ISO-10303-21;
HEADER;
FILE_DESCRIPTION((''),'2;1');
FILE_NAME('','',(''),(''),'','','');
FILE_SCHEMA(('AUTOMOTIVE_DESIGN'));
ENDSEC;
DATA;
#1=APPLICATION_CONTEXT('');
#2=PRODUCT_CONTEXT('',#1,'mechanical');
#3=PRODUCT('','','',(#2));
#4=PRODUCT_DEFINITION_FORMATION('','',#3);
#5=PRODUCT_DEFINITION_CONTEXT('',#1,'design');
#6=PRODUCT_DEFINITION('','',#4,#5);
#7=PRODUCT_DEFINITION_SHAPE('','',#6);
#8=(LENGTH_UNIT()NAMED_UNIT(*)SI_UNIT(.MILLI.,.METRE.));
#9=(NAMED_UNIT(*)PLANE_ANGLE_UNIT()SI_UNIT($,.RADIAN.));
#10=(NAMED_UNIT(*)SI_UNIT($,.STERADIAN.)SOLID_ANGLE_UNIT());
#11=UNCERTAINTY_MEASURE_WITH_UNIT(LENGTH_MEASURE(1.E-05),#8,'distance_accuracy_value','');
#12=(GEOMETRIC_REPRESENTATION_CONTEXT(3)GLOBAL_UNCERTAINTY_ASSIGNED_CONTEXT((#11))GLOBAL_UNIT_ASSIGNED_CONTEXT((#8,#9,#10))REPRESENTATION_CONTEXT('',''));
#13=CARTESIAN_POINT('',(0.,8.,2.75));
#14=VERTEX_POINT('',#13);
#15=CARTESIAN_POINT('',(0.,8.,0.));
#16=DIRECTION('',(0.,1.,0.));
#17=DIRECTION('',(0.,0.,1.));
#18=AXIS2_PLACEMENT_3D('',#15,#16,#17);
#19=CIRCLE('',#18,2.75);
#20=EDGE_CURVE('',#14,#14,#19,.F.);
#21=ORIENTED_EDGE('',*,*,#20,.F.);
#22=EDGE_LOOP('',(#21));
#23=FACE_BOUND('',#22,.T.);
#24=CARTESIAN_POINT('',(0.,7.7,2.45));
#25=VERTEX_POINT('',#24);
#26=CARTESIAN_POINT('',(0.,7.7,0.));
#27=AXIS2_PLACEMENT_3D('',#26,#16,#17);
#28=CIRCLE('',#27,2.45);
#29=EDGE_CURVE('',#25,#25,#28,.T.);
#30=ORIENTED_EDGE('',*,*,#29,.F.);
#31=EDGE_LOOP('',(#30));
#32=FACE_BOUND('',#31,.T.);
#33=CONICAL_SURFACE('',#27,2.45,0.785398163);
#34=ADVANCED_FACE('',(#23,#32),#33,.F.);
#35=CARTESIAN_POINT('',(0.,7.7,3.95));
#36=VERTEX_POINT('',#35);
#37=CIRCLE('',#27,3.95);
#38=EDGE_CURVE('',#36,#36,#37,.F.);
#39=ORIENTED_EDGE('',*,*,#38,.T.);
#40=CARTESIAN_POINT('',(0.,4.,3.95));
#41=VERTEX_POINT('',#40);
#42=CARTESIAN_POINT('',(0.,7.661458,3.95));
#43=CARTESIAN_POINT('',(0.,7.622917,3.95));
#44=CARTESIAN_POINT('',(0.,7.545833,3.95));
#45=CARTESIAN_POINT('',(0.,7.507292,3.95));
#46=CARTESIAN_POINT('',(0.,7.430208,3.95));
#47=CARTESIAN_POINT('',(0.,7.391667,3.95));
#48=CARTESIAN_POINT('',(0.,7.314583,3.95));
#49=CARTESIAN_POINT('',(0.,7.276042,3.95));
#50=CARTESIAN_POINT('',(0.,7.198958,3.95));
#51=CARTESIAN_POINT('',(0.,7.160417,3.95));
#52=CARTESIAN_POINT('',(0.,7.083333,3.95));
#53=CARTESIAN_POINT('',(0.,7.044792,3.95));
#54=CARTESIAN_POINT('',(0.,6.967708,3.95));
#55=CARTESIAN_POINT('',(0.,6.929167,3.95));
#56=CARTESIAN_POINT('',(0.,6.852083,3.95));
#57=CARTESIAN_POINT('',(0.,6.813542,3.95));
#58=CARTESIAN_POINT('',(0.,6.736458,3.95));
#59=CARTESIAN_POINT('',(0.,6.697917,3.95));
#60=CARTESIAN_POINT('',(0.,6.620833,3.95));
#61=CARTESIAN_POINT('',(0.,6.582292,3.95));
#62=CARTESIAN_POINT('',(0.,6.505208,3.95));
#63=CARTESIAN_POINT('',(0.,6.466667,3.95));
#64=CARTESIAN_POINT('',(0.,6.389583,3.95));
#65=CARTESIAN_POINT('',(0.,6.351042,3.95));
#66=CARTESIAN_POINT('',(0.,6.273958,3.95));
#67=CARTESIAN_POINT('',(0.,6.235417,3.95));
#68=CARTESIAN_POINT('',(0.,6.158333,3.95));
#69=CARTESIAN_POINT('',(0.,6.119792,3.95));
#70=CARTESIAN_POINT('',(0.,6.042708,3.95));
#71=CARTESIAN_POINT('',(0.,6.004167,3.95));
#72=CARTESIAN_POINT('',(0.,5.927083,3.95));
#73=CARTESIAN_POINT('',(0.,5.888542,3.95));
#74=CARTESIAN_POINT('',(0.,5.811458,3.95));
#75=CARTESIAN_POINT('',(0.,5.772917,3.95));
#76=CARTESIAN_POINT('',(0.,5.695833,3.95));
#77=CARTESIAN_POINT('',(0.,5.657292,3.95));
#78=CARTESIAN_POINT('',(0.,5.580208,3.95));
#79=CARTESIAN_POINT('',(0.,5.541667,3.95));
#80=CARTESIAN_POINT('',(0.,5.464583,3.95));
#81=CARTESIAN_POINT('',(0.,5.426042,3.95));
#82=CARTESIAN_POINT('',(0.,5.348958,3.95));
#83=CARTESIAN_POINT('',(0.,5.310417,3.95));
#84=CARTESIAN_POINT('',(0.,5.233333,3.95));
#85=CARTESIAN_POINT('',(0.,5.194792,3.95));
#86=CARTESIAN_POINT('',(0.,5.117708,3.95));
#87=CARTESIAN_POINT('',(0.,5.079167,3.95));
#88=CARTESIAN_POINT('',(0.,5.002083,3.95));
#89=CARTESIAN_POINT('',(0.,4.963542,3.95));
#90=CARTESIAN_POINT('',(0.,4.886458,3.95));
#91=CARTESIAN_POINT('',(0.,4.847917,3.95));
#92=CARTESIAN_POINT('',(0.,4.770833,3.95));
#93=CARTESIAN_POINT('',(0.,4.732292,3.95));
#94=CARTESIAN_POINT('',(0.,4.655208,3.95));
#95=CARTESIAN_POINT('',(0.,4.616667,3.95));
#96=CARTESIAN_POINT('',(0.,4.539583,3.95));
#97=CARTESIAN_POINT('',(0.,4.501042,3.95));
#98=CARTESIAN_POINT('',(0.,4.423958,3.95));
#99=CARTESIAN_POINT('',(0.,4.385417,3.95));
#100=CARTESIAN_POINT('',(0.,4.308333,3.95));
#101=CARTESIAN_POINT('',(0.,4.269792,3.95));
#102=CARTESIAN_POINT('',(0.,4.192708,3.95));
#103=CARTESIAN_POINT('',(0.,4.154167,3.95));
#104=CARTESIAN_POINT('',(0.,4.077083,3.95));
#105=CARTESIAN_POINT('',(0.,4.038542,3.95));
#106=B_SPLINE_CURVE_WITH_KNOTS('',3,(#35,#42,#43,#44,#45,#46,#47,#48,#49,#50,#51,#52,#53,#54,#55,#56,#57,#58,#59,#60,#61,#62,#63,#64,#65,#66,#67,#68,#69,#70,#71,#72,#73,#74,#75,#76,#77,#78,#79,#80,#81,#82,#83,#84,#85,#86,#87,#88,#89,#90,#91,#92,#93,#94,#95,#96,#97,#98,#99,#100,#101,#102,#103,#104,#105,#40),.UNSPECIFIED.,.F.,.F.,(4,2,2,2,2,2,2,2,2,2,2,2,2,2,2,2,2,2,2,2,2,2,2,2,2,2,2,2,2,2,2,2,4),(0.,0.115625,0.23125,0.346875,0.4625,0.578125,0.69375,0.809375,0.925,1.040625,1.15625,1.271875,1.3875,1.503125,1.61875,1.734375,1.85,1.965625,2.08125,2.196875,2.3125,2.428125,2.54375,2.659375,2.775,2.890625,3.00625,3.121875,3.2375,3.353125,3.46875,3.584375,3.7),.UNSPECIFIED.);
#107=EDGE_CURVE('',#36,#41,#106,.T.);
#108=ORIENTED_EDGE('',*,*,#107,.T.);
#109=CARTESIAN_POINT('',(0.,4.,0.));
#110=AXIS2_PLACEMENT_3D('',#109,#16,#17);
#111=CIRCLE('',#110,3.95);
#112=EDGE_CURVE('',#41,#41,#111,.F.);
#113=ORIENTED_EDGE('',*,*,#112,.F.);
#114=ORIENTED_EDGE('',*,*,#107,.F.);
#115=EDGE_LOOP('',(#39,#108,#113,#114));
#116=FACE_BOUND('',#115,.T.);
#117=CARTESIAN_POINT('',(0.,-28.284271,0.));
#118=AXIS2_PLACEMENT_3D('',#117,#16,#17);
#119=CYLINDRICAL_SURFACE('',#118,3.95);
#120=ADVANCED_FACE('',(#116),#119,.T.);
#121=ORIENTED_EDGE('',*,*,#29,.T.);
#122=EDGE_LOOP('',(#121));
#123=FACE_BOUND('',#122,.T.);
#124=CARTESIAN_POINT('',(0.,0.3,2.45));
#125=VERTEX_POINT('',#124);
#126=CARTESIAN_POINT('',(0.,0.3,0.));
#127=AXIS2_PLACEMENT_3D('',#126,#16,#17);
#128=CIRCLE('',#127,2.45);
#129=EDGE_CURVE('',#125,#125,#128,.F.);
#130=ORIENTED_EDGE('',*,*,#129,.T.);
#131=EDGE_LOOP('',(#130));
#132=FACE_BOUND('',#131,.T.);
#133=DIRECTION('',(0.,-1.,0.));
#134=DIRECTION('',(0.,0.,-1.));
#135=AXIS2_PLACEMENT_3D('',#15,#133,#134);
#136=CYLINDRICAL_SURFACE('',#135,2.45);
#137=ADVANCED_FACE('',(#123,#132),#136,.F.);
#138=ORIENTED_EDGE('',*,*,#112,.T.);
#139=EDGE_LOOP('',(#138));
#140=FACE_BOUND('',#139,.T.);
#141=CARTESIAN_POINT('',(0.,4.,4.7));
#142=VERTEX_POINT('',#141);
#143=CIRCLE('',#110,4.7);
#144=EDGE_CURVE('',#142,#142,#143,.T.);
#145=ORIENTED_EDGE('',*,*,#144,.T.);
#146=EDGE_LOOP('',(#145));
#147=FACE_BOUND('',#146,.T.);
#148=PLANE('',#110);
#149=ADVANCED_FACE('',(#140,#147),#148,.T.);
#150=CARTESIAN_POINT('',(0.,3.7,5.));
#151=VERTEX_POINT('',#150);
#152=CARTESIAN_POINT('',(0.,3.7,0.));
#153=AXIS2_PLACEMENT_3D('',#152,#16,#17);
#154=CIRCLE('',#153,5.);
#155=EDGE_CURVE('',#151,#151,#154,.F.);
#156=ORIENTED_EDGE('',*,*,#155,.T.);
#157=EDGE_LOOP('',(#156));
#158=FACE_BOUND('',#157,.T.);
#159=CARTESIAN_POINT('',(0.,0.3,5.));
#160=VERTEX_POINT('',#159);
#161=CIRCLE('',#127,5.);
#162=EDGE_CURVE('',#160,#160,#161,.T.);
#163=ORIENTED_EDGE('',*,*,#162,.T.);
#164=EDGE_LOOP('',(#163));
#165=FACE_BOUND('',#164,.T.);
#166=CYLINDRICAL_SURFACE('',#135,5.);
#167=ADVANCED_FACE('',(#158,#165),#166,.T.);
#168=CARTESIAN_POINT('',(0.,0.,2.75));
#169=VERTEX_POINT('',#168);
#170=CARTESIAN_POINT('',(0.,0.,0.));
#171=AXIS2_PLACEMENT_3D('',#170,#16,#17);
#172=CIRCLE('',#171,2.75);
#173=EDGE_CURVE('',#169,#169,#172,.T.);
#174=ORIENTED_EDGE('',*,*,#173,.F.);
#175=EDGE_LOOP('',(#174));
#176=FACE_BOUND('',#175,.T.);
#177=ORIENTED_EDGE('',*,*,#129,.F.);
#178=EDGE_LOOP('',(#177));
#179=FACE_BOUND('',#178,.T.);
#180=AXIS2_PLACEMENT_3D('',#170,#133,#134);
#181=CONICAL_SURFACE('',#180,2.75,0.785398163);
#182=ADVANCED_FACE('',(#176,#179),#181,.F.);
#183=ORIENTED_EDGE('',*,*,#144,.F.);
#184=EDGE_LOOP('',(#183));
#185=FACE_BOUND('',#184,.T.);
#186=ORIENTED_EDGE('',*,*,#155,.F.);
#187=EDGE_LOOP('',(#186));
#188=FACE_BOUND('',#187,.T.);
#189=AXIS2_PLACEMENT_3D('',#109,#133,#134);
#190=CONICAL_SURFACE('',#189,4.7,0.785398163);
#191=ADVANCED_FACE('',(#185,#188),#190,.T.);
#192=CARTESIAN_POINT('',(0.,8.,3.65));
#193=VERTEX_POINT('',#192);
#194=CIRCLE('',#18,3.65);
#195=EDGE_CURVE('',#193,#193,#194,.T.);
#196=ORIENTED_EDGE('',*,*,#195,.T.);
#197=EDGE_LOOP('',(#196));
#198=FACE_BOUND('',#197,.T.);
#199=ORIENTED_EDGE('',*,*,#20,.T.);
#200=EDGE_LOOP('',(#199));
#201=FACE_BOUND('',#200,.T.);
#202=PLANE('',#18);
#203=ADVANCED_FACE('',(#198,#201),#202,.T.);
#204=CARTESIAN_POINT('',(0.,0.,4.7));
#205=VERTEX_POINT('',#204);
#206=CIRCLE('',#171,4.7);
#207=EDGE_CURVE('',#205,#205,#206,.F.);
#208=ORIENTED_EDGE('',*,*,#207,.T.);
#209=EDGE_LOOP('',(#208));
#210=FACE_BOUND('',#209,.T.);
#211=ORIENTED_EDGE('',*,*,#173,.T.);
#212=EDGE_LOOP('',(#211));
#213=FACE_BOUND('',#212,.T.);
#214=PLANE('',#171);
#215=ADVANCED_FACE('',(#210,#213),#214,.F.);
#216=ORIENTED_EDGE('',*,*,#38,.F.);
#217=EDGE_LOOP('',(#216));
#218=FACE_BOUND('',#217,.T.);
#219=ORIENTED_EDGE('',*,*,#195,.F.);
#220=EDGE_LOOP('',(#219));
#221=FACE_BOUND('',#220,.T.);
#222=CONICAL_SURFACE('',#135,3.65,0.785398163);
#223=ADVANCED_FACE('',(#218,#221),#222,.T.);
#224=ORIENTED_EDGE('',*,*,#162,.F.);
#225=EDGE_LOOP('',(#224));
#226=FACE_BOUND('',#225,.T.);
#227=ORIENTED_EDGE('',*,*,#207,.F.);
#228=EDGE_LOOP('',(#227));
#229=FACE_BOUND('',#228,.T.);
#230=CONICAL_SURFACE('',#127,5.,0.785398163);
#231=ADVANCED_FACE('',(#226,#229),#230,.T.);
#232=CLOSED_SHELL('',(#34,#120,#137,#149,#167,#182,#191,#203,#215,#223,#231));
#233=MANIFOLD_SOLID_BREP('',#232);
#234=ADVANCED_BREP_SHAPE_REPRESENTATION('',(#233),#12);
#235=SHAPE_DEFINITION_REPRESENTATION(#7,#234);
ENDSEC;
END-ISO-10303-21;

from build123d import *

# Parameters (mm, degrees)
SKETCH1_R           = 5
SKETCH1_R_2         = 2.45
BOSS_EXTRUDE1_DEPTH = 8
SKETCH2_R           = 10
SKETCH2_R_2         = 3.95
CUT_EXTRUDE1_DEPTH  = 4
CHAMFER1_SIZE       = 0.3


with BuildPart() as part:
    # Sketch1 → Boss-Extrude1 (new body)
    with BuildSketch(Plane(origin=(0, 0, 0), x_dir=(1, 0, 0), z_dir=(0, 1, 0))):
        with Locations(Location((0, 0, 0), (0, 0, 270))):
            Circle(SKETCH1_R)
        with Locations(Location((0, 0, 0), (0, 0, 270))):
            Circle(SKETCH1_R_2, mode=Mode.SUBTRACT)
    extrude(amount=BOSS_EXTRUDE1_DEPTH)

    # Sketch2 → Cut-Extrude1 (cut)
    with BuildSketch(Plane(origin=(0, 8, 0), x_dir=(1, 0, 0), z_dir=(0, 1, 0))):
        Circle(SKETCH2_R)
        with Locations(Location((0, 0, 0), (0, 0, 270))):
            Circle(SKETCH2_R_2, mode=Mode.SUBTRACT)
    extrude(amount=-CUT_EXTRUDE1_DEPTH, mode=Mode.SUBTRACT)

    # Chamfer1
    chamfer1_edges = [part.edges().sort_by_distance(p)[0] for p in [
        (0, 8, -3.95),
        (0, 4, -5),
        (0, 0, -5),
        (0, 0, -2.45),
        (0, 8, -2.45),
    ]]
    chamfer(chamfer1_edges, length=CHAMFER1_SIZE)


solid = part.part
